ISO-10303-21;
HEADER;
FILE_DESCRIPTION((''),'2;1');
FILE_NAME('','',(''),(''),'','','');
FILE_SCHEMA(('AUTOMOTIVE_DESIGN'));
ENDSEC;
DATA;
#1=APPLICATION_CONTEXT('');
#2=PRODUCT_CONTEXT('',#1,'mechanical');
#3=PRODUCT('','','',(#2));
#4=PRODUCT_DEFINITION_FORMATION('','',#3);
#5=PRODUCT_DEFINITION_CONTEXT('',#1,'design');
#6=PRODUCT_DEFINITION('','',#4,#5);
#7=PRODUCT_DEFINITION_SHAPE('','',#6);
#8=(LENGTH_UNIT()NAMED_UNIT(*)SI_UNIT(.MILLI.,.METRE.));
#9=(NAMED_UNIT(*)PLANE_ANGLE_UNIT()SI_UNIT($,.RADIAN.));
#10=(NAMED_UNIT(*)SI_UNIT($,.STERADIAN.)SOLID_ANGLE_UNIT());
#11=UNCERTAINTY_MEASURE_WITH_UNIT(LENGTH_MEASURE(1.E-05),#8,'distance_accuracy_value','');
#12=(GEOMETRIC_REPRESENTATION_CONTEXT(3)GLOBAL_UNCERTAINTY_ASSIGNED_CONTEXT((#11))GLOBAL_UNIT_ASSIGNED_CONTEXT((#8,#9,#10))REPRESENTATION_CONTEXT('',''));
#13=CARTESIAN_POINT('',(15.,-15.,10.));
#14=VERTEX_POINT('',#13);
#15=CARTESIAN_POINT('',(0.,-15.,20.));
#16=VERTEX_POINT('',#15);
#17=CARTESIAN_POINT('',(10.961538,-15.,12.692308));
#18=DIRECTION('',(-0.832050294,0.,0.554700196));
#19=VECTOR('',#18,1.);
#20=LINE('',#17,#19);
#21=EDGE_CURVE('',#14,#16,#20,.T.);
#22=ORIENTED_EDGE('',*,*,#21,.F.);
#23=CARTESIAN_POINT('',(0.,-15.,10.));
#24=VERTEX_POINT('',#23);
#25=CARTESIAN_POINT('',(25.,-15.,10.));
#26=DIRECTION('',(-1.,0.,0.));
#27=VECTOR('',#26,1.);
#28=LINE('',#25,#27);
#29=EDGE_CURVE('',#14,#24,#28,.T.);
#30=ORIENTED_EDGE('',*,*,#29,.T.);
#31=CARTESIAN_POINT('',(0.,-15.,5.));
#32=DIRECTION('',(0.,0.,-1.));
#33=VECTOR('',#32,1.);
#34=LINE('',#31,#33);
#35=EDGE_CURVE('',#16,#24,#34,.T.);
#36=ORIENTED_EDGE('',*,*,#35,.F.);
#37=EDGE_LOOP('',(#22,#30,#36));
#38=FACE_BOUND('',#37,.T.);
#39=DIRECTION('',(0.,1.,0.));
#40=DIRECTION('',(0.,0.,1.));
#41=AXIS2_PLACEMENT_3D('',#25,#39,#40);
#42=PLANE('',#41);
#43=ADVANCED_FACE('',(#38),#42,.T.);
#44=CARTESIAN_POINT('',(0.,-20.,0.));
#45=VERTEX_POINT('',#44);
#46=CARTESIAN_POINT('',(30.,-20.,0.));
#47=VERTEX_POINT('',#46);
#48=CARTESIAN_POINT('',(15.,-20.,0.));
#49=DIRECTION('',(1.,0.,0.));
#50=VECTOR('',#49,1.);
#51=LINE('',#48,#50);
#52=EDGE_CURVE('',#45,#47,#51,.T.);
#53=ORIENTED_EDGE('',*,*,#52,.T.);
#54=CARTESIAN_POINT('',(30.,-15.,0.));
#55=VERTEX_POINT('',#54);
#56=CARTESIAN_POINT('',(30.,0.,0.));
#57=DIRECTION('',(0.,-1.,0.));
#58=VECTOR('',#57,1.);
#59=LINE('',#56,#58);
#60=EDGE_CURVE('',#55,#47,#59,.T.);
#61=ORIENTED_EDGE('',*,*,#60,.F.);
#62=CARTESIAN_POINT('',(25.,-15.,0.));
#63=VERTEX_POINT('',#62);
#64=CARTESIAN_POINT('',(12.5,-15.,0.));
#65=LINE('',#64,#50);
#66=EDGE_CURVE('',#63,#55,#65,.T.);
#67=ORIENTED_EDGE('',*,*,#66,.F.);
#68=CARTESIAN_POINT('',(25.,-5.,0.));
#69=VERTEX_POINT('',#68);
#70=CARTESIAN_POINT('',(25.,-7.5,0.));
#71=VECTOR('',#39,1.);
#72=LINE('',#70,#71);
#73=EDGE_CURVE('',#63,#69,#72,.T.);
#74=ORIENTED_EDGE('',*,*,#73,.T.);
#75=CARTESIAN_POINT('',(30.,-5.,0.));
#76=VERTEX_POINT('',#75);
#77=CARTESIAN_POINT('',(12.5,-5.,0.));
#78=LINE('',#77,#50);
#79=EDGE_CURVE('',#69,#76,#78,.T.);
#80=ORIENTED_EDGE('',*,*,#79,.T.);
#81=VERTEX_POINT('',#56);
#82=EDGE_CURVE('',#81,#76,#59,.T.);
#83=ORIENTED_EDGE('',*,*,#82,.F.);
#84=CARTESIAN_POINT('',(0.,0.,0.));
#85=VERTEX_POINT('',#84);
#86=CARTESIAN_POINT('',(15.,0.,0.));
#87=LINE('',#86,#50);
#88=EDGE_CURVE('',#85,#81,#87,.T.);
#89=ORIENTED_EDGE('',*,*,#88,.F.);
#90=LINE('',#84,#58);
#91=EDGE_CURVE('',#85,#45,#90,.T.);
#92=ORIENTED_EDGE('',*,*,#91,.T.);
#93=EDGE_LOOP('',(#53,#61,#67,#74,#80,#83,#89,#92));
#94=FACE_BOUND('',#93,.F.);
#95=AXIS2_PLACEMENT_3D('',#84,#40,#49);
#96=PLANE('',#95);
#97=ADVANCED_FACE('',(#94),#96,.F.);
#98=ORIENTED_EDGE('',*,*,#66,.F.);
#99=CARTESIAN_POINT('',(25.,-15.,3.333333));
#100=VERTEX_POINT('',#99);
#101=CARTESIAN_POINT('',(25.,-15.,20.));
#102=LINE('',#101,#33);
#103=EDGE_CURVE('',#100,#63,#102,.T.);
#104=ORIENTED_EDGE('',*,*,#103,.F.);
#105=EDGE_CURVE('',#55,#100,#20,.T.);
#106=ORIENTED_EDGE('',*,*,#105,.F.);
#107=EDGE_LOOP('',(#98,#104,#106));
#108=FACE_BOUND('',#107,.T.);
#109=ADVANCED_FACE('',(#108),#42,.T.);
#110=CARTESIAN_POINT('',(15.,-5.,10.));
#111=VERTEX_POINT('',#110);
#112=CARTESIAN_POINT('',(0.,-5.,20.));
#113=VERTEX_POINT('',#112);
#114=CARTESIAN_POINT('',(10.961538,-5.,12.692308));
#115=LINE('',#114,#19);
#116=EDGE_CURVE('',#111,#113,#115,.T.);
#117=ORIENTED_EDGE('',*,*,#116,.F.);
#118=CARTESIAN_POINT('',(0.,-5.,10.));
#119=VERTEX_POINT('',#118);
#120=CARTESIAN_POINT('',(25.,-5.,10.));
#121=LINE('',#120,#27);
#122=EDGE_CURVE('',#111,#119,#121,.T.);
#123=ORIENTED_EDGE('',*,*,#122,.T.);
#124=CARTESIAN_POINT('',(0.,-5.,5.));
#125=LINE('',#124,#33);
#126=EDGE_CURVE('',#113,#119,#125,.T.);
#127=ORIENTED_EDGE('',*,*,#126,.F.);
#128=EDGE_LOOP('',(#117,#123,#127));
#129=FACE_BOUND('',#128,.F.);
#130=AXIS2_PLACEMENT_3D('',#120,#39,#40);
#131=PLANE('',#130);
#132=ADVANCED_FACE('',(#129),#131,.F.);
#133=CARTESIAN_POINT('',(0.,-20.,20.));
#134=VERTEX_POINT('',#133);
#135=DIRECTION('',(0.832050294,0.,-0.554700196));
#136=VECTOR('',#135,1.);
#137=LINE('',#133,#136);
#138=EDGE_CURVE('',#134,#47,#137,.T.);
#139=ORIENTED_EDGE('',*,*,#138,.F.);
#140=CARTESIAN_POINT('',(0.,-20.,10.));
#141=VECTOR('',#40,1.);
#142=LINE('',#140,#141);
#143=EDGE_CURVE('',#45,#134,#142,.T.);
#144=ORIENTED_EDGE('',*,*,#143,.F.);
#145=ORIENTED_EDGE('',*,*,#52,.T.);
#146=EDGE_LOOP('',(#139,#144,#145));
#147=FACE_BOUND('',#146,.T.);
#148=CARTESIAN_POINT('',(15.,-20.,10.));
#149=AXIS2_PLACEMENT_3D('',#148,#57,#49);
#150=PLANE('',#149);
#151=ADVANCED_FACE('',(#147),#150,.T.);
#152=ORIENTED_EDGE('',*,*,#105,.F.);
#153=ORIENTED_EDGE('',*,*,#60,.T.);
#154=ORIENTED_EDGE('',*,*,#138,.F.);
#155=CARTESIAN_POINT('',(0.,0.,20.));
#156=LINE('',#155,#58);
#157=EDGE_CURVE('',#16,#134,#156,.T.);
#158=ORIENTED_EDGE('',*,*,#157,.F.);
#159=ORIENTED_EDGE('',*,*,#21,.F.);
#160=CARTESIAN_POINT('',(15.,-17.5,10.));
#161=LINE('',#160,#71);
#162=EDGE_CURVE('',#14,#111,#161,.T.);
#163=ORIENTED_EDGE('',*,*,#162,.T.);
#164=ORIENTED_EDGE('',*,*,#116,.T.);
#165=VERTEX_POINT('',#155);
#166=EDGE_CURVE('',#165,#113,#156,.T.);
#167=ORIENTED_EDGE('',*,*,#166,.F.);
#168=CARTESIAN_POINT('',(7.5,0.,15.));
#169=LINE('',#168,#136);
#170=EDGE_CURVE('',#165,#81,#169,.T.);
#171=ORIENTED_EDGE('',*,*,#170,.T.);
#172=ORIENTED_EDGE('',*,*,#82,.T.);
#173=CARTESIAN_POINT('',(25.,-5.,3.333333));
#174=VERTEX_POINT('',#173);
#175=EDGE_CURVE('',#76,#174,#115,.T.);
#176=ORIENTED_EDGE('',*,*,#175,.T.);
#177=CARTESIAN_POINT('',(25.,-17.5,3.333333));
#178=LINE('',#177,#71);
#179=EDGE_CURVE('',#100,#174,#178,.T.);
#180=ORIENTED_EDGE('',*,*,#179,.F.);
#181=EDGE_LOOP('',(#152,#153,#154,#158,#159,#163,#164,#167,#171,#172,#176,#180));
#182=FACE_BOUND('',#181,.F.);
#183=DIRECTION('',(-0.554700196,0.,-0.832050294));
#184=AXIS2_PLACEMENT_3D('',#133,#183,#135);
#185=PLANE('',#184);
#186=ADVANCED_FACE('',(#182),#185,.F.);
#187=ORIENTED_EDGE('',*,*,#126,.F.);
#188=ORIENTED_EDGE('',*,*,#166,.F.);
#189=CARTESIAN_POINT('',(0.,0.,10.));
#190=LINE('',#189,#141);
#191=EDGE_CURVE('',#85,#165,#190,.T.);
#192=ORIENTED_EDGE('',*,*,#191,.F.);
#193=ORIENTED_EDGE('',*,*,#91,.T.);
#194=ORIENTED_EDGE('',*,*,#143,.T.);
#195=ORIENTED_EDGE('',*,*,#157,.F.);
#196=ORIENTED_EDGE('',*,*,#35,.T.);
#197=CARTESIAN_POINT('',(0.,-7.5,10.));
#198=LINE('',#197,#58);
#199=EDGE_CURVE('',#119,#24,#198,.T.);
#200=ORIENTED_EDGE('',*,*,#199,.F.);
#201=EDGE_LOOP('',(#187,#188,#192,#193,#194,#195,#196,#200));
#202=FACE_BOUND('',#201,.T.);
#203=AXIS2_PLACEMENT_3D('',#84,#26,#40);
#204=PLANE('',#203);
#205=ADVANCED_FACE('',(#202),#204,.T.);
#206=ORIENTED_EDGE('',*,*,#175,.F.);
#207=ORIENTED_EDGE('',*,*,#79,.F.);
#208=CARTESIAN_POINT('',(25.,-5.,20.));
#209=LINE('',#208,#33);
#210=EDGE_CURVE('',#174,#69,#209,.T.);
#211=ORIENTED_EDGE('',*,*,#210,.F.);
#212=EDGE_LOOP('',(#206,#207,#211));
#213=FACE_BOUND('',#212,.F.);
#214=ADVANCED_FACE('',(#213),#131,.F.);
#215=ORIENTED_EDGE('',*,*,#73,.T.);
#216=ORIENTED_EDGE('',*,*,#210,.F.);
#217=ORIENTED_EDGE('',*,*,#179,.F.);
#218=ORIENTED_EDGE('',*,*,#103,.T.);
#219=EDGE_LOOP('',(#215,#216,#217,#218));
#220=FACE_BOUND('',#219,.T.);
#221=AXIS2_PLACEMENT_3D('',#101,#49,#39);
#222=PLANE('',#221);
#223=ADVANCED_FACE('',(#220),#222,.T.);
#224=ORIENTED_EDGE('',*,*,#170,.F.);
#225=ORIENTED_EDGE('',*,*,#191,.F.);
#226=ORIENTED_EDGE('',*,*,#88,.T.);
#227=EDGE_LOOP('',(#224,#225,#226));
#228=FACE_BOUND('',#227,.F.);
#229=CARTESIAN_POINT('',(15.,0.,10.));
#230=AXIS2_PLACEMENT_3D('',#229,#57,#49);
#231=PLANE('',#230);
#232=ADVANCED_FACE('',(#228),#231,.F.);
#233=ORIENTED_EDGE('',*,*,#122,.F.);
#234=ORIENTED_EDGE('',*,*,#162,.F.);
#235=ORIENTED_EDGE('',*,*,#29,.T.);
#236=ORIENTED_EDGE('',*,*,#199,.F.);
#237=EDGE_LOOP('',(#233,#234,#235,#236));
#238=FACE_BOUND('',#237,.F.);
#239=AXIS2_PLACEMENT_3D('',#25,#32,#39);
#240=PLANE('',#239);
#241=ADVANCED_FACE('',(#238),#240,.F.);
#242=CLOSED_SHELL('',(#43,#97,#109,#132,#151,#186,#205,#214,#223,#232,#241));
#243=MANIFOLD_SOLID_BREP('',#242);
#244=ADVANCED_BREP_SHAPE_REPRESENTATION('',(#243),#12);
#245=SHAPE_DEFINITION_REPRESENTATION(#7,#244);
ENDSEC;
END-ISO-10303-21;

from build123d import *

# Parameters (mm, degrees)
F0_W     = 30
F0_H     = 20
F1_DEPTH = 20
F2_W     = 5
F2_H     = 10
F3_DEPTH = 20.001
F4_W     = 10
F4_H     = 10
F5_DEPTH = 25.001
F7_DEPTH = 25


with BuildPart() as f1:
    # F0 (on Front) → F1 (new body)
    with BuildSketch(Plane.XZ):
        with Locations((15, 10)):
            Rectangle(F0_W, F0_H)
    extrude(amount=F1_DEPTH)

    # F2 (on face) → F3 (cut, through all)
    with BuildSketch(Plane.XY.offset(20)):
        with Locations((27.5, -10)):
            Rectangle(F2_W, F2_H)
    extrude(amount=-F3_DEPTH, mode=Mode.SUBTRACT)

    # F4 (on face) → F5 (cut, through all)
    with BuildSketch(Plane.YZ.offset(25)):
        with Locations((-10, 15)):
            Rectangle(F4_W, F4_H)
    extrude(amount=-F5_DEPTH, mode=Mode.SUBTRACT)

    # F6 (on face) → F7 (cut)
    with BuildSketch(Plane.XZ.offset(20)):
        Polygon((30, 20), (0, 20), (30, 0), align=None)
    extrude(amount=-F7_DEPTH, mode=Mode.SUBTRACT)


solid = f1.part
